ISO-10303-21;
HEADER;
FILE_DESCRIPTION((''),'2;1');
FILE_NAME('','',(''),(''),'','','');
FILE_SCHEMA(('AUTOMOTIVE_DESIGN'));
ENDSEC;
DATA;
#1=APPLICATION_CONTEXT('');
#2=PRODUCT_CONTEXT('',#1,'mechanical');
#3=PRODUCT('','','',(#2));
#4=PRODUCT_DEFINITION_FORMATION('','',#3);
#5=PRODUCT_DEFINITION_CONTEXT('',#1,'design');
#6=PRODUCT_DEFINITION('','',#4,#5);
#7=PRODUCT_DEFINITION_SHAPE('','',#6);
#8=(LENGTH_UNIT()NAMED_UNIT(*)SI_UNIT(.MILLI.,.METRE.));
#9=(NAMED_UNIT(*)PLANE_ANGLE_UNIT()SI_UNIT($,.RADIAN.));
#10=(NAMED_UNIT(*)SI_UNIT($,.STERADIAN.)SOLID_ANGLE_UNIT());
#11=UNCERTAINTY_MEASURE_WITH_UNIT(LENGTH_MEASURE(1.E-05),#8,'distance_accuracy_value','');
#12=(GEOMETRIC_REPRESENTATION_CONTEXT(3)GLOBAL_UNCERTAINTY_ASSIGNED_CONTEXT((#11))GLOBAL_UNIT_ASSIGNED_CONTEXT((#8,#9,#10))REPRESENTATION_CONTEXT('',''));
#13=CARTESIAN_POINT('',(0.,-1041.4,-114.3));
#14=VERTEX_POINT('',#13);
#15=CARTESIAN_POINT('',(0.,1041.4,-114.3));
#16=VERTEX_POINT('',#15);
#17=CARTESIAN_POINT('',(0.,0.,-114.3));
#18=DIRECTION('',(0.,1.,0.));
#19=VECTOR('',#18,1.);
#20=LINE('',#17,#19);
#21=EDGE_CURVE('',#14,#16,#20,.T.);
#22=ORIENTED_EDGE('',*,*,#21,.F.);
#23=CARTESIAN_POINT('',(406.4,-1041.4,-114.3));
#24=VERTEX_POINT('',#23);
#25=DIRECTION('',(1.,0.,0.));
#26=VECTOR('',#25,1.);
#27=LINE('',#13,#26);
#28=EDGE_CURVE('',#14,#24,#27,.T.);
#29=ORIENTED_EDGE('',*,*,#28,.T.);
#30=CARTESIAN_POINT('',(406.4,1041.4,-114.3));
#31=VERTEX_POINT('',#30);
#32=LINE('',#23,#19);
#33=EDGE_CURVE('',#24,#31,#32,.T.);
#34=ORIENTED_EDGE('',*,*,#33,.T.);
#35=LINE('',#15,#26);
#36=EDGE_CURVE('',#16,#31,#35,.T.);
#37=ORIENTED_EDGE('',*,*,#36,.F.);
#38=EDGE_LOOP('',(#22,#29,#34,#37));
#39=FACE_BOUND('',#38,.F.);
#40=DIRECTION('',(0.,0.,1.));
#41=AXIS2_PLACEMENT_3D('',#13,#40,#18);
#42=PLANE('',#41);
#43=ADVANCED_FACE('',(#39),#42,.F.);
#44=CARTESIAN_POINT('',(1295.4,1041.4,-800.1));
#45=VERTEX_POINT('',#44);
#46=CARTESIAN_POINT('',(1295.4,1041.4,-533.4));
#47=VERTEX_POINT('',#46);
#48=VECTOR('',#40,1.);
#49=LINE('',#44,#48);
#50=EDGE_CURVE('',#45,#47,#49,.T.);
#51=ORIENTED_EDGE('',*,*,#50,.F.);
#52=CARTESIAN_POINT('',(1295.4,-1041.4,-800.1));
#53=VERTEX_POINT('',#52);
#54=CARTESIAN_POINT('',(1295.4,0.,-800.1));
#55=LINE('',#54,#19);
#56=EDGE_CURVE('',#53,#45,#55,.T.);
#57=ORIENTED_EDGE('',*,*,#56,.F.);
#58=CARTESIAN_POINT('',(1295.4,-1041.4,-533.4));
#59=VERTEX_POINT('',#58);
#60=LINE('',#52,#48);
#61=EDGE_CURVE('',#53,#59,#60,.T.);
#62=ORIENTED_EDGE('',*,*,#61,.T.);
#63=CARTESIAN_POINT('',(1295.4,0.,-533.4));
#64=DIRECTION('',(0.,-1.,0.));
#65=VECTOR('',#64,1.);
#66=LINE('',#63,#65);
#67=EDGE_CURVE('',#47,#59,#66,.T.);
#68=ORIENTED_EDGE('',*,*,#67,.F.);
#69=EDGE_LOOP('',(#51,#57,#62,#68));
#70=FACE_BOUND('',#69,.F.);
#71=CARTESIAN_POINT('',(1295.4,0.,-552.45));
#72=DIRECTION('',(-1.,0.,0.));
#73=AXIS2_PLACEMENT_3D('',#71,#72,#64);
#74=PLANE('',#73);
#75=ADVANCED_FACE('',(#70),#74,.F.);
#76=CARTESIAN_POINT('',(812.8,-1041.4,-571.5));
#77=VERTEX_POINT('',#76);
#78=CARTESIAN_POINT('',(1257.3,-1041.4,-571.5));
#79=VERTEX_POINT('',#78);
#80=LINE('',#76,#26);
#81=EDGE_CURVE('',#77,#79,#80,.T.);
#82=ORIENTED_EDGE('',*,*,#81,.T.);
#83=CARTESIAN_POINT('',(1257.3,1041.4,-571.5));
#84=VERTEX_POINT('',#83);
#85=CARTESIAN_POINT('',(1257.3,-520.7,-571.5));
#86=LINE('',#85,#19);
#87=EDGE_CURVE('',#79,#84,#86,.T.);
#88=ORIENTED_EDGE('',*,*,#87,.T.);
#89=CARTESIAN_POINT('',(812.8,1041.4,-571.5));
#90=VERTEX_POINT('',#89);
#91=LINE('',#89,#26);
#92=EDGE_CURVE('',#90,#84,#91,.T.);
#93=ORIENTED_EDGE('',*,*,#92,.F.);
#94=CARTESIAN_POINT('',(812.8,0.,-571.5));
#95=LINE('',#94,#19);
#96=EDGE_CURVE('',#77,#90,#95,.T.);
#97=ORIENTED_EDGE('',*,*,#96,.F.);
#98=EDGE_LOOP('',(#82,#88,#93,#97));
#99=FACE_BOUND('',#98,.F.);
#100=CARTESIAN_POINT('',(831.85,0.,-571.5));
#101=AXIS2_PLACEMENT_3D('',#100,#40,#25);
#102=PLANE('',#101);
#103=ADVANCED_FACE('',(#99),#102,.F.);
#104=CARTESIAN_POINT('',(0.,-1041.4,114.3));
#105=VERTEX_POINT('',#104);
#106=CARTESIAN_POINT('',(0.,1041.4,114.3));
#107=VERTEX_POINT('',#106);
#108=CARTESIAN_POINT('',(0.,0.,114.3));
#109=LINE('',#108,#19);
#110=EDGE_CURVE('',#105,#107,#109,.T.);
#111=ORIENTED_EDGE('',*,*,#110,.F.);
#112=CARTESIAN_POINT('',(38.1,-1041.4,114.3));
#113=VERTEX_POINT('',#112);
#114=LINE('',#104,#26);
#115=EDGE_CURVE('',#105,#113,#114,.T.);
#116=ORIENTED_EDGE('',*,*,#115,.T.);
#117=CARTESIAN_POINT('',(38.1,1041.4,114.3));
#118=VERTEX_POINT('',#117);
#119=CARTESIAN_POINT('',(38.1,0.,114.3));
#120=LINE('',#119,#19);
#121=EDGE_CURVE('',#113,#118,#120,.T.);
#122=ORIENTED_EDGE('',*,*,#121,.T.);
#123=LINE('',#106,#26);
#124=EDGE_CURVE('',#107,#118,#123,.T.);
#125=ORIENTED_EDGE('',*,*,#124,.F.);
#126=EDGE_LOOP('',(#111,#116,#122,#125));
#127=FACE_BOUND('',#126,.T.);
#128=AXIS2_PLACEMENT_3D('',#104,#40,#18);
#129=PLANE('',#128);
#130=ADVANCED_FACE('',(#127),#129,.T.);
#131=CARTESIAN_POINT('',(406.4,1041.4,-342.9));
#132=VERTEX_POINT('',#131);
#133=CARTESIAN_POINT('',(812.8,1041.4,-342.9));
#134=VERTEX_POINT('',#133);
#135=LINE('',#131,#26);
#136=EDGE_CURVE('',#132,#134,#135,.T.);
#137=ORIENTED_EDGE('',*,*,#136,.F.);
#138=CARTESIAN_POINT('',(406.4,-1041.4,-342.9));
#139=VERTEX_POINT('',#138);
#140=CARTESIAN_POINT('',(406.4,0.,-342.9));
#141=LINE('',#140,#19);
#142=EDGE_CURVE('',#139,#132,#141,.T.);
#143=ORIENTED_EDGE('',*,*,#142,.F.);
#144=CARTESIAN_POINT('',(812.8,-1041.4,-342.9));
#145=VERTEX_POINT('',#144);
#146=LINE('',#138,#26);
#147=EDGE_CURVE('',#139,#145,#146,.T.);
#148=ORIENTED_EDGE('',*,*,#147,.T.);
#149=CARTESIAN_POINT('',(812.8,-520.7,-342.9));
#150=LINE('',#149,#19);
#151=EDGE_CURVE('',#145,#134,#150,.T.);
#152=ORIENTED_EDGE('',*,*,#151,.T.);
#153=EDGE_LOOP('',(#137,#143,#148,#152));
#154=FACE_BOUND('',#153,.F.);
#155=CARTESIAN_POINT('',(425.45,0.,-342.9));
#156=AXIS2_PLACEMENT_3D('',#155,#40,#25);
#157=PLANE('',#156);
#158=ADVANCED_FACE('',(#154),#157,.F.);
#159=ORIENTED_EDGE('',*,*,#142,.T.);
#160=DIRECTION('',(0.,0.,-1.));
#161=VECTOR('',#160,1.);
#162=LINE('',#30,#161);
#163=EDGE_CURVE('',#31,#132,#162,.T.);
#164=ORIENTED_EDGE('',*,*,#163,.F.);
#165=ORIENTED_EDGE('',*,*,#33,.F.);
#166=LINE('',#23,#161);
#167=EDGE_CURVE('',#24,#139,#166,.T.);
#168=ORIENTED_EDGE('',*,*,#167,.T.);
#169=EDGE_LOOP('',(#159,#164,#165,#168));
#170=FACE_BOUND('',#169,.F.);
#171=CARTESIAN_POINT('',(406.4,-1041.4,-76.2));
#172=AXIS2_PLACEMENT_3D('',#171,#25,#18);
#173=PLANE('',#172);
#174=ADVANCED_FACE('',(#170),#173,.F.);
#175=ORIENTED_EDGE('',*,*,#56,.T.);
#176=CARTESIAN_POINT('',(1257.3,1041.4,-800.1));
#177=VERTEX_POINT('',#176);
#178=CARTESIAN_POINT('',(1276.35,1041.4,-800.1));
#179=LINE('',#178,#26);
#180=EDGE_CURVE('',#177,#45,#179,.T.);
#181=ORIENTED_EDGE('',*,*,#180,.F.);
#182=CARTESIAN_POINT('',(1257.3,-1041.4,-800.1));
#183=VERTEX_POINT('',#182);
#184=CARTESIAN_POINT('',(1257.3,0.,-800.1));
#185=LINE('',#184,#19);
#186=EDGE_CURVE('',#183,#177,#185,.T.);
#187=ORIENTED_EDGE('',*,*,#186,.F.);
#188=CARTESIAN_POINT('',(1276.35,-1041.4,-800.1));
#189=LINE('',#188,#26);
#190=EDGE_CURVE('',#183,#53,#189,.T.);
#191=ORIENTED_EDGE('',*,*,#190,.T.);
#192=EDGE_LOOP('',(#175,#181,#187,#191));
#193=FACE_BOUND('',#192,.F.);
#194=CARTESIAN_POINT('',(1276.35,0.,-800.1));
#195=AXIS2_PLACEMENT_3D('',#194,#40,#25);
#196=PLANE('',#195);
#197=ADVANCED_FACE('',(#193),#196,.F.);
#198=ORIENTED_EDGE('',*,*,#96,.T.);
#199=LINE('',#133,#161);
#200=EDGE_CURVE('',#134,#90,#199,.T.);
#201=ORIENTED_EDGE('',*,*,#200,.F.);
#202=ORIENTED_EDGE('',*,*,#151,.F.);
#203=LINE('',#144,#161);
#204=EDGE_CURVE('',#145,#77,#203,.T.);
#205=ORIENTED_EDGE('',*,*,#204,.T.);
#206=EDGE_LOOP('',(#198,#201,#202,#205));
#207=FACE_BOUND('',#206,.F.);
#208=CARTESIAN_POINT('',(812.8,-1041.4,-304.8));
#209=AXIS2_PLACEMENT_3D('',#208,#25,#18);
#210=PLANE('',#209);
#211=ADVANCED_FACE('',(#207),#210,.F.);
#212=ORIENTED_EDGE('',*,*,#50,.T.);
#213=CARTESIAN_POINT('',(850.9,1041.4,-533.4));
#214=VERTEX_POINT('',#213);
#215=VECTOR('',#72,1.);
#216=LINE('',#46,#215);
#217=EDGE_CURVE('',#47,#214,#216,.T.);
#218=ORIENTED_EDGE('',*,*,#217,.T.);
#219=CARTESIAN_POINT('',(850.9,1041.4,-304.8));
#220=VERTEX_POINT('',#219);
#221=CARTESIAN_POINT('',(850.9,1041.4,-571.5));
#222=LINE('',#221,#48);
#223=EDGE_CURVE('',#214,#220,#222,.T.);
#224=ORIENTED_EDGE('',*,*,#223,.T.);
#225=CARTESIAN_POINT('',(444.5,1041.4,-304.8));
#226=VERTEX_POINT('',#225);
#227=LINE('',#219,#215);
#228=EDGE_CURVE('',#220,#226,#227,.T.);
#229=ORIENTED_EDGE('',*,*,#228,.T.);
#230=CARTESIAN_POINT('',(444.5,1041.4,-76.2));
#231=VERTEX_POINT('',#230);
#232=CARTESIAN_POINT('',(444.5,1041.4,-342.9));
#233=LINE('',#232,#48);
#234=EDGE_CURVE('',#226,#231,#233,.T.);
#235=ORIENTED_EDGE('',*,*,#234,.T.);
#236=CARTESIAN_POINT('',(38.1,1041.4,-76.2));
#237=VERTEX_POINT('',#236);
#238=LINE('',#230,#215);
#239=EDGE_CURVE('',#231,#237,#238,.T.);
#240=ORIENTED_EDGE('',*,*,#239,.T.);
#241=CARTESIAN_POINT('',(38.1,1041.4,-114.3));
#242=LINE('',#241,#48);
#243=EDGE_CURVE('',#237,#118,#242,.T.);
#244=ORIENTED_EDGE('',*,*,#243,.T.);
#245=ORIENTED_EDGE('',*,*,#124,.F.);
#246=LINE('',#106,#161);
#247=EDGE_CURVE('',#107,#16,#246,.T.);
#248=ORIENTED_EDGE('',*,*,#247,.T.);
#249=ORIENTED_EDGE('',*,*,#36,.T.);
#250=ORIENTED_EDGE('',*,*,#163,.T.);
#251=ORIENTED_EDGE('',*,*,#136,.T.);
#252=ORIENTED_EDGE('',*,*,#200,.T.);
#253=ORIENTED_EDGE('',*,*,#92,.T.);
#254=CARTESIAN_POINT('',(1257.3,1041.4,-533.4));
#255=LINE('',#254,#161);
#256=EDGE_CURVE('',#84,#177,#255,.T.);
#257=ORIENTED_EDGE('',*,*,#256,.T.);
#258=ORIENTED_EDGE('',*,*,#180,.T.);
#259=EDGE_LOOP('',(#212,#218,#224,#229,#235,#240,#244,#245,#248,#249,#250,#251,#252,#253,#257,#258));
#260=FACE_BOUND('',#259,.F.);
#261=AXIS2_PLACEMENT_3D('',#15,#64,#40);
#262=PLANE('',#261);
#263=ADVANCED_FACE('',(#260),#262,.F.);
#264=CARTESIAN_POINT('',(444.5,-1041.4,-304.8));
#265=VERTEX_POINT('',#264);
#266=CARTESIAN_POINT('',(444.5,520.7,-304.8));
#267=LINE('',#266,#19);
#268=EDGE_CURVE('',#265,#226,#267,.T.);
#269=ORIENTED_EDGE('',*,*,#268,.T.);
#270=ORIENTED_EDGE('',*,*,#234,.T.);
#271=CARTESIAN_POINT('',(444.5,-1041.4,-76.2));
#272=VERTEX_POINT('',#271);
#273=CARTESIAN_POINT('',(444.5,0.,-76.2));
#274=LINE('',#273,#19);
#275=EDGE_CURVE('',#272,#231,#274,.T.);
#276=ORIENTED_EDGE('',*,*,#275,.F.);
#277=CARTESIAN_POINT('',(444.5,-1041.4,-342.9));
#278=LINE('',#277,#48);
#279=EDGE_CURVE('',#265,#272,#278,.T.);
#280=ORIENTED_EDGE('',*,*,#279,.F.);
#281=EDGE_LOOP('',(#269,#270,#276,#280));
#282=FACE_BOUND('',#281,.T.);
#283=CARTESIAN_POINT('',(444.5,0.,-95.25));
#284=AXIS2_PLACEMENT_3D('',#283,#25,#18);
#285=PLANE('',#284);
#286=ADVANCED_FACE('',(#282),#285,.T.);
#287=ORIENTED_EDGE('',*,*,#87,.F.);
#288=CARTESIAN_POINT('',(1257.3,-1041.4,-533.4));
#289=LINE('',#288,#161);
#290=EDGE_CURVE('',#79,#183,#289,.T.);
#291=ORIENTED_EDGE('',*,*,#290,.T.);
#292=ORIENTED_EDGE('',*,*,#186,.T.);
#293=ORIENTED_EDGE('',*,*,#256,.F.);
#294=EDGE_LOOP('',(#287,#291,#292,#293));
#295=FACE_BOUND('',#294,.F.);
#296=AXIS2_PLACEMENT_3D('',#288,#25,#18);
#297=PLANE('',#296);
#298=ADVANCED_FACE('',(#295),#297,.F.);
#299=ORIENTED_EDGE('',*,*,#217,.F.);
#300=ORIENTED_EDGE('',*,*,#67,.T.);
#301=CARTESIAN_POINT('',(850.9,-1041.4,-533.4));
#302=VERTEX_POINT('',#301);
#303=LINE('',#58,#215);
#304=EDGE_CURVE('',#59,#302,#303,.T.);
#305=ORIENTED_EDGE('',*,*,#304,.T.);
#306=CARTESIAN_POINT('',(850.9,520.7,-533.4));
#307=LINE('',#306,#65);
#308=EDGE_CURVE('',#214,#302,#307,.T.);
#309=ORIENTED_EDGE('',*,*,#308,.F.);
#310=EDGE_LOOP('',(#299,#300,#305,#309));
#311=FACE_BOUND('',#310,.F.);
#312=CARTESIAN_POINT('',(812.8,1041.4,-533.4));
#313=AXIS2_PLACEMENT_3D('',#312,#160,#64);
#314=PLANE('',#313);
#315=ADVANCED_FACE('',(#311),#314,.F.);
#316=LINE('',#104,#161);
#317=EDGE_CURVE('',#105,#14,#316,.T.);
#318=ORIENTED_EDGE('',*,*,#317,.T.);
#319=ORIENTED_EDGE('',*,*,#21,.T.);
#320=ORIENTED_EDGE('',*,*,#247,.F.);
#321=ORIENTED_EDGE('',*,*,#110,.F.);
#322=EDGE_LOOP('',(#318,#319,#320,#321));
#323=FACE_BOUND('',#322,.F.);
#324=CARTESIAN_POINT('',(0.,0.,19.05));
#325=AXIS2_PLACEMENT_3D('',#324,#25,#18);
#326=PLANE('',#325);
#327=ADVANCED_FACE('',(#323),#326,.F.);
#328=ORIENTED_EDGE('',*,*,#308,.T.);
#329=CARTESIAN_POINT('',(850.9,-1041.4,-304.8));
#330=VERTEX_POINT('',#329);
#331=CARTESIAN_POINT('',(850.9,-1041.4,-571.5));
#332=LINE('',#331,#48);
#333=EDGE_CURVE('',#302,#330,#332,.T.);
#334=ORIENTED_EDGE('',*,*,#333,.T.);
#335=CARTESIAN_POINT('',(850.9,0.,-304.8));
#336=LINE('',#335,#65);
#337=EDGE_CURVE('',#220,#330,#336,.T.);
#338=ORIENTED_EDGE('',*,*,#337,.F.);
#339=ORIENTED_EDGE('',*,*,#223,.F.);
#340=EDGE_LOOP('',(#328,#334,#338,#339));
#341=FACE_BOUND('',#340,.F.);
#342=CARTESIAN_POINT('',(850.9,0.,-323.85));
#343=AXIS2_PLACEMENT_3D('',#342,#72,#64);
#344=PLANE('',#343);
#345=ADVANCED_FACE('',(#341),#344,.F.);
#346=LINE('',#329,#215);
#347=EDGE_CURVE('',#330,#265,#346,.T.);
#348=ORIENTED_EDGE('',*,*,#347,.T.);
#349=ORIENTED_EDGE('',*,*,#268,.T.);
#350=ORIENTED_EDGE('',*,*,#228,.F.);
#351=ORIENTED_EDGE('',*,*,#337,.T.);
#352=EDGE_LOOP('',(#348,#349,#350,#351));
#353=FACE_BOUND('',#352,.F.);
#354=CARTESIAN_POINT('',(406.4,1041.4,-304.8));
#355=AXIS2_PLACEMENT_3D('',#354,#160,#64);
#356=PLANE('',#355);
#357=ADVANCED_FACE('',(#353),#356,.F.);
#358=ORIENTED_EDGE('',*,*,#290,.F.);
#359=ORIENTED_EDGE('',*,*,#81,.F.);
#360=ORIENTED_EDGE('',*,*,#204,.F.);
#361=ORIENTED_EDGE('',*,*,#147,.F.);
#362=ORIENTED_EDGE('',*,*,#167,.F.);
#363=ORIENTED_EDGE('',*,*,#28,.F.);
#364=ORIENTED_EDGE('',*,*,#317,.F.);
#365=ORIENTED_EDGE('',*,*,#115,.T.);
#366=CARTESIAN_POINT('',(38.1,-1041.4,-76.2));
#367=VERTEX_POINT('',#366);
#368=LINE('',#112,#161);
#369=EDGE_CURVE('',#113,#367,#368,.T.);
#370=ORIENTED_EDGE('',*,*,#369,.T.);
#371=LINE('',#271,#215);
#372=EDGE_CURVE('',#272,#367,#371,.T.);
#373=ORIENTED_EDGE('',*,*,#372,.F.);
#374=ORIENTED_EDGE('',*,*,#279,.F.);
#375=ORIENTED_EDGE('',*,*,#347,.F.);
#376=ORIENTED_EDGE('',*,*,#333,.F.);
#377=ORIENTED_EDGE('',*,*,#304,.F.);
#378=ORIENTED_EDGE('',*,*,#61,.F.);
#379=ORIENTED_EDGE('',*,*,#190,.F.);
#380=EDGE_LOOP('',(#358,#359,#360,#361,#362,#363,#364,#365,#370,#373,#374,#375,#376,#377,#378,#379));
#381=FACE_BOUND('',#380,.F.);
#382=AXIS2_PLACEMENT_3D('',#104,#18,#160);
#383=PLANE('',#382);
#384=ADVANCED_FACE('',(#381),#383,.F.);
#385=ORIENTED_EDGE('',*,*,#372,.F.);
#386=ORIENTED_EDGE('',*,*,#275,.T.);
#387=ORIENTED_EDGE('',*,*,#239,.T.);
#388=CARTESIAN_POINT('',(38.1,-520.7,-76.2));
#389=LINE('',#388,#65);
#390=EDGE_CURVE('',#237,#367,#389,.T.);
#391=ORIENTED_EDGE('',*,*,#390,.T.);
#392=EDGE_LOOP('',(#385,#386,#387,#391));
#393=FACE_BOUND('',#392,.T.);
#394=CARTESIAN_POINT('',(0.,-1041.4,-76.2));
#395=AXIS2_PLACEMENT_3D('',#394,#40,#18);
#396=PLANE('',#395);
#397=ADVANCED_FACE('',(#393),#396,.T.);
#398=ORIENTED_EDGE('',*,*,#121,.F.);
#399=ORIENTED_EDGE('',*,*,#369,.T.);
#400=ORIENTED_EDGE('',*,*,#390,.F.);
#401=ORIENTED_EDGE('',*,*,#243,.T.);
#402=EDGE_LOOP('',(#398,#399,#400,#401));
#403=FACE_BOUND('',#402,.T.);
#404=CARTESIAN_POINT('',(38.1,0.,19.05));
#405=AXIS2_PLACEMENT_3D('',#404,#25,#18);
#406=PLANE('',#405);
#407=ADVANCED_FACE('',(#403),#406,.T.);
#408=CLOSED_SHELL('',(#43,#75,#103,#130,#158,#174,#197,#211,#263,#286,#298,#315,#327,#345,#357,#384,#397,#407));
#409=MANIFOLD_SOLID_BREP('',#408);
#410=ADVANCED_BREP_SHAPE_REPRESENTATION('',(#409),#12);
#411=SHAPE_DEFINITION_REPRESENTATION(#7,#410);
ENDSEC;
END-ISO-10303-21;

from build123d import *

# Parameters (mm, degrees)
F0_W      = 2082.8
F0_H      = 190.5
F0_H_2    = 38.1
F1_DEPTH  = 38.1
F2_DEPTH  = 444.5
F3_W      = 38.1
F3_H      = 2082.8
F4_DEPTH  = 266.7
F5_W      = 2082.8
F5_H      = 38.1
F6_DEPTH  = 444.5
F7_W      = 38.1
F7_H      = 2082.8
F8_DEPTH  = 266.7
F9_W      = 2082.8
F9_H      = 38.1
F10_DEPTH = 482.6
F11_W     = 38.1
F11_H     = 2082.8
F12_DEPTH = 266.7


with BuildPart() as f1:
    # F0 (on Right) → F1 (new body)
    with BuildSketch(Plane.YZ):
        with Locations((0, 19.05)):
            Rectangle(F0_W, F0_H)
        with Locations((0, -95.25)):
            Rectangle(F0_W, F0_H_2)
    extrude(amount=F1_DEPTH)

    # F0 (on Right) → F2 (join)
    with BuildSketch(Plane.YZ):
        with Locations((0, -95.25)):
            Rectangle(F0_W, F0_H_2)
    extrude(amount=F2_DEPTH)

    # F3 (on face) → F4 (join)
    with BuildSketch(Plane.XY.offset(-76.2)):
        with Locations((425.45, 0)):
            Rectangle(F3_W, F3_H)
    extrude(amount=-F4_DEPTH)

    # F5 (on face) → F6 (join)
    with BuildSketch(Plane(origin=(406.4, 0, 0), x_dir=(0, -1, 0), z_dir=(-1, 0, 0))):
        with Locations((0, -323.85)):
            Rectangle(F5_W, F5_H)
    extrude(amount=-F6_DEPTH)

    # F7 (on face) → F8 (join)
    with BuildSketch(Plane.XY.offset(-304.8)):
        with Locations((831.85, 0)):
            Rectangle(F7_W, F7_H)
    extrude(amount=-F8_DEPTH)

    # F9 (on face) → F10 (join)
    with BuildSketch(Plane(origin=(812.8, 0, 0), x_dir=(0, -1, 0), z_dir=(-1, 0, 0))):
        with Locations((0, -552.45)):
            Rectangle(F9_W, F9_H)
    extrude(amount=-F10_DEPTH)

    # F11 (on face) → F12 (join)
    with BuildSketch(Plane.XY.offset(-533.4)):
        with Locations((1276.35, 0)):
            Rectangle(F11_W, F11_H)
    extrude(amount=-F12_DEPTH)


solid = f1.part
